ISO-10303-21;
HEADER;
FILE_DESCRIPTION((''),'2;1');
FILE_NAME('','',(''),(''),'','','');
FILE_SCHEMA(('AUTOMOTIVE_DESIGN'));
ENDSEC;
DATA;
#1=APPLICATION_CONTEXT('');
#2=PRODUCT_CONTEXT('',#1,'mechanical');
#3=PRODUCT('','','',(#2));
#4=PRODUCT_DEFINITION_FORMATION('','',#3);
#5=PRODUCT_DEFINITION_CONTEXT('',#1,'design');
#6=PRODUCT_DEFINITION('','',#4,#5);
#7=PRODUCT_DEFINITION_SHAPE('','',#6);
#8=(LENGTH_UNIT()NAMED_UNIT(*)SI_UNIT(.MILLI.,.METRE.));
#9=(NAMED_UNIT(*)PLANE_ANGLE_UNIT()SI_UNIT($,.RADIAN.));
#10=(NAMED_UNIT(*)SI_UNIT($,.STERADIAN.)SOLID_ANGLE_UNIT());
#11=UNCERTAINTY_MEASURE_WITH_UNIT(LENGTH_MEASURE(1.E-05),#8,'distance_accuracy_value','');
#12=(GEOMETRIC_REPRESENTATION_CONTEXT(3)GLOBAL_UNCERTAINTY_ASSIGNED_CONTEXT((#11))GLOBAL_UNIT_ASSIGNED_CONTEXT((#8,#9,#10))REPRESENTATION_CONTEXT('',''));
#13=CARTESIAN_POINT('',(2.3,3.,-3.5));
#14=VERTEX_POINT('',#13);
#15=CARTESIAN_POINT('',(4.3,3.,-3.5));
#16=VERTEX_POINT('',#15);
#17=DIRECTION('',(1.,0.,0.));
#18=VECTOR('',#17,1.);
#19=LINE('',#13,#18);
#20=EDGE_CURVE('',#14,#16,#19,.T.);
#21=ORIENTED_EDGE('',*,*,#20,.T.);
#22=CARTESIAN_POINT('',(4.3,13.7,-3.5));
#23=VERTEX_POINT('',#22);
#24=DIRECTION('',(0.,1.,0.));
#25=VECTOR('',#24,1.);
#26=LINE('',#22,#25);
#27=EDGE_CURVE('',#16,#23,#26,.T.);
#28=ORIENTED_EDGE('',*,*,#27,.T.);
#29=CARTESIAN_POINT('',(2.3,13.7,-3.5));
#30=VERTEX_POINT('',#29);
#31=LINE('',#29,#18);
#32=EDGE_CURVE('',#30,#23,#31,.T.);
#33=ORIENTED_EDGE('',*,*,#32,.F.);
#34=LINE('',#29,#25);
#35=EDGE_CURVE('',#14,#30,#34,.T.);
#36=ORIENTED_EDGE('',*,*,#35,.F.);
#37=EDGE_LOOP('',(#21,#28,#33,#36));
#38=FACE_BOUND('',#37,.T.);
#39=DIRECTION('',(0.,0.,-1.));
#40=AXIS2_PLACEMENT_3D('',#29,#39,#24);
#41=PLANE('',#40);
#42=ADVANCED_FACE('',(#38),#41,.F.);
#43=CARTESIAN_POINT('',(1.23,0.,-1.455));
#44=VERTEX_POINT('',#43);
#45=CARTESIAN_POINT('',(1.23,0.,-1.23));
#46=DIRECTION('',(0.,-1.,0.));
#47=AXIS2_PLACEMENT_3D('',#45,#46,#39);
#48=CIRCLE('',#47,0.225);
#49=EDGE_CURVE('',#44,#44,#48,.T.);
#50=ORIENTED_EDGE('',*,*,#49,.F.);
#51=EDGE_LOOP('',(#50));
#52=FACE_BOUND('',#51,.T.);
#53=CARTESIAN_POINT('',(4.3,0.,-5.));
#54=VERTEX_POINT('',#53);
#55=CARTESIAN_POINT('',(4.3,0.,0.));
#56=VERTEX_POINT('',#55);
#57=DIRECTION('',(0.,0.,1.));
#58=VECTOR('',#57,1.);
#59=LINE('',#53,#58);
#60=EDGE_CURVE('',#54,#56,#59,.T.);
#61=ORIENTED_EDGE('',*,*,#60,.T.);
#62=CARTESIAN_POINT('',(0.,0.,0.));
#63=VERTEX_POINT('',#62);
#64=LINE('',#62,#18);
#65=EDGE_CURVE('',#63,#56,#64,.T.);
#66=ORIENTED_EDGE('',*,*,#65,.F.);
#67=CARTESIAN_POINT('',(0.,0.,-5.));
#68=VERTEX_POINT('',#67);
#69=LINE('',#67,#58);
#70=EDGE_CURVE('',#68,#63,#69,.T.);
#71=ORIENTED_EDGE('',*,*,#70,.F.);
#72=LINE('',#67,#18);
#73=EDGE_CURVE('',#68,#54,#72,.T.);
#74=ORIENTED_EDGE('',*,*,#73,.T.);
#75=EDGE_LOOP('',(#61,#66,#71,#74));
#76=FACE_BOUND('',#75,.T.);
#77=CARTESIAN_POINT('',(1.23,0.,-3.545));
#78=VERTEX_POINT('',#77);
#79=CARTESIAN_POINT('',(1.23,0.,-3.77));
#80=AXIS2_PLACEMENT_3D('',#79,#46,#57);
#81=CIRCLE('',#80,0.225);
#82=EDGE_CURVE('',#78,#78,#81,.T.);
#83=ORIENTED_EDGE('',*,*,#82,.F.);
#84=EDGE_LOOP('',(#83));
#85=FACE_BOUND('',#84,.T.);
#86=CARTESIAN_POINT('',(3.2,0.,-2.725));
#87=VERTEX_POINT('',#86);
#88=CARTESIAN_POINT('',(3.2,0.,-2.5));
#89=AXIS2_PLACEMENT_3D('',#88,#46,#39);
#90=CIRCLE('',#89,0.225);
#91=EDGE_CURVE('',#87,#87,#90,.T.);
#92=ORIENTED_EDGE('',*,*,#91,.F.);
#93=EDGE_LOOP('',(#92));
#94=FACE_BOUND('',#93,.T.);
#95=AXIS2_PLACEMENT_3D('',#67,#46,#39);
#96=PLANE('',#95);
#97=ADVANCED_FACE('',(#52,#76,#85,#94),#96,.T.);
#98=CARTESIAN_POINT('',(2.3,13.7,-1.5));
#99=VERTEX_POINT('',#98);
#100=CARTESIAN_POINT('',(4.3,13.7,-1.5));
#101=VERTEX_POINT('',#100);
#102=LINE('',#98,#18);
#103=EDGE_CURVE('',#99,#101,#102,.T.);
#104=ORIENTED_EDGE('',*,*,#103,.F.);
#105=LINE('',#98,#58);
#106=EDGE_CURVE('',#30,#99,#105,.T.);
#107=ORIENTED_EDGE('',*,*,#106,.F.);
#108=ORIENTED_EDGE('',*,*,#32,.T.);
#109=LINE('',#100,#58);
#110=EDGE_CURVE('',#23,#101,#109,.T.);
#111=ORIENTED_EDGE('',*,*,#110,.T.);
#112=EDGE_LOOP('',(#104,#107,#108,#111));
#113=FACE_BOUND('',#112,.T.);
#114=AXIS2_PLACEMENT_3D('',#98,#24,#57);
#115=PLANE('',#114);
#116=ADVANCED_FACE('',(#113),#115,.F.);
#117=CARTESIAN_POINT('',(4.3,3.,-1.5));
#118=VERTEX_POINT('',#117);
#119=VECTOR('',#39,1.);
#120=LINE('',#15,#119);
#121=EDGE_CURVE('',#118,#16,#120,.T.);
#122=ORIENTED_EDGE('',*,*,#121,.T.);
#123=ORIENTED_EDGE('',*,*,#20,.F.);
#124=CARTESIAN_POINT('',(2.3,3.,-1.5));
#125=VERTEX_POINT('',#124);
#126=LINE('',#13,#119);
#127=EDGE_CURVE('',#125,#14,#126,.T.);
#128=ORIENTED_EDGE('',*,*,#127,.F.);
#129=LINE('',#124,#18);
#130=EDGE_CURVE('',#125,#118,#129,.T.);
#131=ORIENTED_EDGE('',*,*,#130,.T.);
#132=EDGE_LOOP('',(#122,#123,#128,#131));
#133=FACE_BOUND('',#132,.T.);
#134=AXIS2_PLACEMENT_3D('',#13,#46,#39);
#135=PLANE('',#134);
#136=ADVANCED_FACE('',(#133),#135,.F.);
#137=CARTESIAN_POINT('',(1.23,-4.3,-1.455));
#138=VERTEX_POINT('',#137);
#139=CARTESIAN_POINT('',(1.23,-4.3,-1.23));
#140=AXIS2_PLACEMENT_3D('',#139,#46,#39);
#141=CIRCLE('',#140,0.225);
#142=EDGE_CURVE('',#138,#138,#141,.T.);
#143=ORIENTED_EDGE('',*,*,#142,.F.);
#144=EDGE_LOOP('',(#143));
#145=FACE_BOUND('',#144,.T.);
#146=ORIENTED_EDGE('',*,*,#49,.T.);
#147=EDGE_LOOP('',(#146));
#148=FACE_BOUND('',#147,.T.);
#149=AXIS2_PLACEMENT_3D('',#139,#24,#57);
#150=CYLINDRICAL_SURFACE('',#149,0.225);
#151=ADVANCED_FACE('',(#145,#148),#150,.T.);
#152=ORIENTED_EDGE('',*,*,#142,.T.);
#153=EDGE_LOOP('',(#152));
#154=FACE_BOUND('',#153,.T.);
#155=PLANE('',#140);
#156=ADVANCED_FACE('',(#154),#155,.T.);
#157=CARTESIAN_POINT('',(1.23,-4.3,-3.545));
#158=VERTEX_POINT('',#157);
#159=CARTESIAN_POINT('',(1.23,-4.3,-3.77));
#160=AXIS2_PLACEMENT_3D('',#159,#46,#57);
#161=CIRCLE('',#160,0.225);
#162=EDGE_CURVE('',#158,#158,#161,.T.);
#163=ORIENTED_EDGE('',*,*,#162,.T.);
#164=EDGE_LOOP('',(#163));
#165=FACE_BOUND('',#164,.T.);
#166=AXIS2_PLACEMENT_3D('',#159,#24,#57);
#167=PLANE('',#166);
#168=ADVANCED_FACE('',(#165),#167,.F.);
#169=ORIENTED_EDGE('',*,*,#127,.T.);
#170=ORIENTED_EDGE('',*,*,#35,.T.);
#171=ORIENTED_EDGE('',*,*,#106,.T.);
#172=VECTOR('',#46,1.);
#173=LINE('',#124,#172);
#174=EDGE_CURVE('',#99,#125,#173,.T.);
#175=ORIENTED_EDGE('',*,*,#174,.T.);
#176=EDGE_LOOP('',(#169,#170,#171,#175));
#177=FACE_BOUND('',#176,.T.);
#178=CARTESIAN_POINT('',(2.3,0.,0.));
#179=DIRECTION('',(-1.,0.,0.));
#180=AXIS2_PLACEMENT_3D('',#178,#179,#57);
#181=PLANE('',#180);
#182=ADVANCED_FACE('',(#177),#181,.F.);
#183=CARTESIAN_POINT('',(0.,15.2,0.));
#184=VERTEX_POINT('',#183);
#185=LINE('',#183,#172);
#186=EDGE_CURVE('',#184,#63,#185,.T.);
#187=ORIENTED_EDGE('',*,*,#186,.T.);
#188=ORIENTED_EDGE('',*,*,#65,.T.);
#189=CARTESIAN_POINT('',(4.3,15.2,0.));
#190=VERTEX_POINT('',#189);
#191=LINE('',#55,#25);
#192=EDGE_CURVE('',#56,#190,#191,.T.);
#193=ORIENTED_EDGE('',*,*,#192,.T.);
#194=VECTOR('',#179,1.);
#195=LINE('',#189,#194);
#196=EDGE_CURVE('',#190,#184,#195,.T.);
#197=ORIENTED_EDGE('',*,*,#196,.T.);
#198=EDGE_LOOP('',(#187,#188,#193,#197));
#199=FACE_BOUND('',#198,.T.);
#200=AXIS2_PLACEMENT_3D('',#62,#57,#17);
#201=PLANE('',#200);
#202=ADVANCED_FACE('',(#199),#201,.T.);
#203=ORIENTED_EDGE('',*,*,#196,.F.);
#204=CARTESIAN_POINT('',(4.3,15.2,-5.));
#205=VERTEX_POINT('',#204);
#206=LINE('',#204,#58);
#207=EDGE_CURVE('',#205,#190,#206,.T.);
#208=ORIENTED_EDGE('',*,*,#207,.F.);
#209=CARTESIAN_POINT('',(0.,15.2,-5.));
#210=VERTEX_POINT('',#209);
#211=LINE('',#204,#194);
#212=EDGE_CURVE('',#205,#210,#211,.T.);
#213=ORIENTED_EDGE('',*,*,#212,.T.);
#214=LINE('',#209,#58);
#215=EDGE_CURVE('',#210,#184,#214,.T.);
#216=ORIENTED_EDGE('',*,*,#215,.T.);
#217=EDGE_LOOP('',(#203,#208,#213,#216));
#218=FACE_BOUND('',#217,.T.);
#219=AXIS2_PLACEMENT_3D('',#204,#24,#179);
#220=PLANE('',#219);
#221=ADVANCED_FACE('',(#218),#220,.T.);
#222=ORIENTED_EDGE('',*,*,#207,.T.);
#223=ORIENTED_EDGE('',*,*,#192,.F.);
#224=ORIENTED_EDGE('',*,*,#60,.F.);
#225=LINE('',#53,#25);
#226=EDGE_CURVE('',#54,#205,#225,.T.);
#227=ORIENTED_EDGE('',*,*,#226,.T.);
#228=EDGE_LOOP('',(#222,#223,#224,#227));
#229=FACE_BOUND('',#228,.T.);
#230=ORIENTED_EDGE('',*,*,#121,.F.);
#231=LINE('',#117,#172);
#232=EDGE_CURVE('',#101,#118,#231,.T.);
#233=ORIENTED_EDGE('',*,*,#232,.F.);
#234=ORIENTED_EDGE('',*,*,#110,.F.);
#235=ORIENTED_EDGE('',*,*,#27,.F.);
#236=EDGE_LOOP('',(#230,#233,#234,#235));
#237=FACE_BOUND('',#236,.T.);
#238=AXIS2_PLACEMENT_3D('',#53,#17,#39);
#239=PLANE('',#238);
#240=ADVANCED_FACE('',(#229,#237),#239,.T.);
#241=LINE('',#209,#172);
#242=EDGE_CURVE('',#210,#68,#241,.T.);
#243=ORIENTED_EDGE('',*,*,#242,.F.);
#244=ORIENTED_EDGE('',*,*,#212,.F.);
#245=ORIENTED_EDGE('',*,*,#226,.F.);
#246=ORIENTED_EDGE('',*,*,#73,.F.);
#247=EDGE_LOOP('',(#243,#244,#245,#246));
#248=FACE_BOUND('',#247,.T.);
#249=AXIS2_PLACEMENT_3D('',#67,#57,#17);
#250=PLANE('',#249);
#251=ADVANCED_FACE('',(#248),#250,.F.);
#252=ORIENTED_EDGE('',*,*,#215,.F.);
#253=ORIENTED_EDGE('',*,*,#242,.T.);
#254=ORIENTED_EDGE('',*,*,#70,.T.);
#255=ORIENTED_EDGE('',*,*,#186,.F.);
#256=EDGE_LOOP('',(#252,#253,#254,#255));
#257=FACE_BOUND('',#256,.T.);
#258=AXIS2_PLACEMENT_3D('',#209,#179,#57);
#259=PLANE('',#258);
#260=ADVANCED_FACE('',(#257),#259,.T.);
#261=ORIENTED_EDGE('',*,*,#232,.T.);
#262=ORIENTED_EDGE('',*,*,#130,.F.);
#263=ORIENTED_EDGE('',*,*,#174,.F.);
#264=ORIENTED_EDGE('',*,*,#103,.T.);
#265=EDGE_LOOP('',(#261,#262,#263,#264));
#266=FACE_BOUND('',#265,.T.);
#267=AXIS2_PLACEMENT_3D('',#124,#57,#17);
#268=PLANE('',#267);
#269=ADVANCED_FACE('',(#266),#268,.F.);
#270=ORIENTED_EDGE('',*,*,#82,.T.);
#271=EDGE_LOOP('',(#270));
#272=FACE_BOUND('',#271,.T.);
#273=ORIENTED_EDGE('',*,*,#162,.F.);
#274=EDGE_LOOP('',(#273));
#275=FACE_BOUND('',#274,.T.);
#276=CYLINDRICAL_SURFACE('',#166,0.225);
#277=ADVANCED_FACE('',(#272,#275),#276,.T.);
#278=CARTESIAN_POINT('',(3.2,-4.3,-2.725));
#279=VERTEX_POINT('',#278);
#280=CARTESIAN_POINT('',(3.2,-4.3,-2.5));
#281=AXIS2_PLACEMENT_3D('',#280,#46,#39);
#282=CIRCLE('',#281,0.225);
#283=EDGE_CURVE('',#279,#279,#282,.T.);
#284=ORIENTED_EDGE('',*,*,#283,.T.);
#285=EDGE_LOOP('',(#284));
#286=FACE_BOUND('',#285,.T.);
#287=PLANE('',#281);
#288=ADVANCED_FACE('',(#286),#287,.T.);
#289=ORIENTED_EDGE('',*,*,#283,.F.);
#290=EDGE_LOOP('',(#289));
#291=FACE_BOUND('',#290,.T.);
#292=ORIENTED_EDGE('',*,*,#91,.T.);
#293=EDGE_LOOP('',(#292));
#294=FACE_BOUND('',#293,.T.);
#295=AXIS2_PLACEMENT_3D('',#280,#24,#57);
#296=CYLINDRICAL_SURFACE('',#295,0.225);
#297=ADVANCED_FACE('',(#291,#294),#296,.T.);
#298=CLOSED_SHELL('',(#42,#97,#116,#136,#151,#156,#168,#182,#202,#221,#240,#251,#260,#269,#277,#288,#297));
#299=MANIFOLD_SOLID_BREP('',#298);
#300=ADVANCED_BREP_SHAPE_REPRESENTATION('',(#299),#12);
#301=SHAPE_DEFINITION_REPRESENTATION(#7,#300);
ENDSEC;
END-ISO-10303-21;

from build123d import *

# Parameters (mm, degrees)
SKETCH1_W           = 4.3
SKETCH1_H           = 15.2
BOSS_EXTRUDE1_DEPTH = 5
SKETCH2_W           = 2
SKETCH2_H           = 10.7
CUT_EXTRUDE1_DEPTH  = 2
SKETCH3_R           = 0.225
BOSS_EXTRUDE2_DEPTH = 4.3


with BuildPart() as part:
    # Sketch1 → Boss-Extrude1 (new body)
    with BuildSketch(Plane.XY):
        with Locations((2.15, 7.6)):
            Rectangle(SKETCH1_W, SKETCH1_H)
    extrude(amount=-BOSS_EXTRUDE1_DEPTH)

    # Sketch2 → Cut-Extrude1 (cut)
    with BuildSketch(Plane(origin=(4.3, 0, 0), x_dir=(0, 0, -1), z_dir=(1, 0, 0))):
        with Locations((2.5, 8.35)):
            Rectangle(SKETCH2_W, SKETCH2_H)
    extrude(amount=-CUT_EXTRUDE1_DEPTH, mode=Mode.SUBTRACT)

    # Sketch3 → Boss-Extrude2 (add)
    with BuildSketch(Plane.XZ):
        with Locations((1.23, -1.23)):
            Circle(SKETCH3_R)
        with Locations((1.23, -3.77)):
            Circle(SKETCH3_R)
        with Locations((3.2, -2.5)):
            Circle(SKETCH3_R)
    extrude(amount=BOSS_EXTRUDE2_DEPTH)


solid = part.part
